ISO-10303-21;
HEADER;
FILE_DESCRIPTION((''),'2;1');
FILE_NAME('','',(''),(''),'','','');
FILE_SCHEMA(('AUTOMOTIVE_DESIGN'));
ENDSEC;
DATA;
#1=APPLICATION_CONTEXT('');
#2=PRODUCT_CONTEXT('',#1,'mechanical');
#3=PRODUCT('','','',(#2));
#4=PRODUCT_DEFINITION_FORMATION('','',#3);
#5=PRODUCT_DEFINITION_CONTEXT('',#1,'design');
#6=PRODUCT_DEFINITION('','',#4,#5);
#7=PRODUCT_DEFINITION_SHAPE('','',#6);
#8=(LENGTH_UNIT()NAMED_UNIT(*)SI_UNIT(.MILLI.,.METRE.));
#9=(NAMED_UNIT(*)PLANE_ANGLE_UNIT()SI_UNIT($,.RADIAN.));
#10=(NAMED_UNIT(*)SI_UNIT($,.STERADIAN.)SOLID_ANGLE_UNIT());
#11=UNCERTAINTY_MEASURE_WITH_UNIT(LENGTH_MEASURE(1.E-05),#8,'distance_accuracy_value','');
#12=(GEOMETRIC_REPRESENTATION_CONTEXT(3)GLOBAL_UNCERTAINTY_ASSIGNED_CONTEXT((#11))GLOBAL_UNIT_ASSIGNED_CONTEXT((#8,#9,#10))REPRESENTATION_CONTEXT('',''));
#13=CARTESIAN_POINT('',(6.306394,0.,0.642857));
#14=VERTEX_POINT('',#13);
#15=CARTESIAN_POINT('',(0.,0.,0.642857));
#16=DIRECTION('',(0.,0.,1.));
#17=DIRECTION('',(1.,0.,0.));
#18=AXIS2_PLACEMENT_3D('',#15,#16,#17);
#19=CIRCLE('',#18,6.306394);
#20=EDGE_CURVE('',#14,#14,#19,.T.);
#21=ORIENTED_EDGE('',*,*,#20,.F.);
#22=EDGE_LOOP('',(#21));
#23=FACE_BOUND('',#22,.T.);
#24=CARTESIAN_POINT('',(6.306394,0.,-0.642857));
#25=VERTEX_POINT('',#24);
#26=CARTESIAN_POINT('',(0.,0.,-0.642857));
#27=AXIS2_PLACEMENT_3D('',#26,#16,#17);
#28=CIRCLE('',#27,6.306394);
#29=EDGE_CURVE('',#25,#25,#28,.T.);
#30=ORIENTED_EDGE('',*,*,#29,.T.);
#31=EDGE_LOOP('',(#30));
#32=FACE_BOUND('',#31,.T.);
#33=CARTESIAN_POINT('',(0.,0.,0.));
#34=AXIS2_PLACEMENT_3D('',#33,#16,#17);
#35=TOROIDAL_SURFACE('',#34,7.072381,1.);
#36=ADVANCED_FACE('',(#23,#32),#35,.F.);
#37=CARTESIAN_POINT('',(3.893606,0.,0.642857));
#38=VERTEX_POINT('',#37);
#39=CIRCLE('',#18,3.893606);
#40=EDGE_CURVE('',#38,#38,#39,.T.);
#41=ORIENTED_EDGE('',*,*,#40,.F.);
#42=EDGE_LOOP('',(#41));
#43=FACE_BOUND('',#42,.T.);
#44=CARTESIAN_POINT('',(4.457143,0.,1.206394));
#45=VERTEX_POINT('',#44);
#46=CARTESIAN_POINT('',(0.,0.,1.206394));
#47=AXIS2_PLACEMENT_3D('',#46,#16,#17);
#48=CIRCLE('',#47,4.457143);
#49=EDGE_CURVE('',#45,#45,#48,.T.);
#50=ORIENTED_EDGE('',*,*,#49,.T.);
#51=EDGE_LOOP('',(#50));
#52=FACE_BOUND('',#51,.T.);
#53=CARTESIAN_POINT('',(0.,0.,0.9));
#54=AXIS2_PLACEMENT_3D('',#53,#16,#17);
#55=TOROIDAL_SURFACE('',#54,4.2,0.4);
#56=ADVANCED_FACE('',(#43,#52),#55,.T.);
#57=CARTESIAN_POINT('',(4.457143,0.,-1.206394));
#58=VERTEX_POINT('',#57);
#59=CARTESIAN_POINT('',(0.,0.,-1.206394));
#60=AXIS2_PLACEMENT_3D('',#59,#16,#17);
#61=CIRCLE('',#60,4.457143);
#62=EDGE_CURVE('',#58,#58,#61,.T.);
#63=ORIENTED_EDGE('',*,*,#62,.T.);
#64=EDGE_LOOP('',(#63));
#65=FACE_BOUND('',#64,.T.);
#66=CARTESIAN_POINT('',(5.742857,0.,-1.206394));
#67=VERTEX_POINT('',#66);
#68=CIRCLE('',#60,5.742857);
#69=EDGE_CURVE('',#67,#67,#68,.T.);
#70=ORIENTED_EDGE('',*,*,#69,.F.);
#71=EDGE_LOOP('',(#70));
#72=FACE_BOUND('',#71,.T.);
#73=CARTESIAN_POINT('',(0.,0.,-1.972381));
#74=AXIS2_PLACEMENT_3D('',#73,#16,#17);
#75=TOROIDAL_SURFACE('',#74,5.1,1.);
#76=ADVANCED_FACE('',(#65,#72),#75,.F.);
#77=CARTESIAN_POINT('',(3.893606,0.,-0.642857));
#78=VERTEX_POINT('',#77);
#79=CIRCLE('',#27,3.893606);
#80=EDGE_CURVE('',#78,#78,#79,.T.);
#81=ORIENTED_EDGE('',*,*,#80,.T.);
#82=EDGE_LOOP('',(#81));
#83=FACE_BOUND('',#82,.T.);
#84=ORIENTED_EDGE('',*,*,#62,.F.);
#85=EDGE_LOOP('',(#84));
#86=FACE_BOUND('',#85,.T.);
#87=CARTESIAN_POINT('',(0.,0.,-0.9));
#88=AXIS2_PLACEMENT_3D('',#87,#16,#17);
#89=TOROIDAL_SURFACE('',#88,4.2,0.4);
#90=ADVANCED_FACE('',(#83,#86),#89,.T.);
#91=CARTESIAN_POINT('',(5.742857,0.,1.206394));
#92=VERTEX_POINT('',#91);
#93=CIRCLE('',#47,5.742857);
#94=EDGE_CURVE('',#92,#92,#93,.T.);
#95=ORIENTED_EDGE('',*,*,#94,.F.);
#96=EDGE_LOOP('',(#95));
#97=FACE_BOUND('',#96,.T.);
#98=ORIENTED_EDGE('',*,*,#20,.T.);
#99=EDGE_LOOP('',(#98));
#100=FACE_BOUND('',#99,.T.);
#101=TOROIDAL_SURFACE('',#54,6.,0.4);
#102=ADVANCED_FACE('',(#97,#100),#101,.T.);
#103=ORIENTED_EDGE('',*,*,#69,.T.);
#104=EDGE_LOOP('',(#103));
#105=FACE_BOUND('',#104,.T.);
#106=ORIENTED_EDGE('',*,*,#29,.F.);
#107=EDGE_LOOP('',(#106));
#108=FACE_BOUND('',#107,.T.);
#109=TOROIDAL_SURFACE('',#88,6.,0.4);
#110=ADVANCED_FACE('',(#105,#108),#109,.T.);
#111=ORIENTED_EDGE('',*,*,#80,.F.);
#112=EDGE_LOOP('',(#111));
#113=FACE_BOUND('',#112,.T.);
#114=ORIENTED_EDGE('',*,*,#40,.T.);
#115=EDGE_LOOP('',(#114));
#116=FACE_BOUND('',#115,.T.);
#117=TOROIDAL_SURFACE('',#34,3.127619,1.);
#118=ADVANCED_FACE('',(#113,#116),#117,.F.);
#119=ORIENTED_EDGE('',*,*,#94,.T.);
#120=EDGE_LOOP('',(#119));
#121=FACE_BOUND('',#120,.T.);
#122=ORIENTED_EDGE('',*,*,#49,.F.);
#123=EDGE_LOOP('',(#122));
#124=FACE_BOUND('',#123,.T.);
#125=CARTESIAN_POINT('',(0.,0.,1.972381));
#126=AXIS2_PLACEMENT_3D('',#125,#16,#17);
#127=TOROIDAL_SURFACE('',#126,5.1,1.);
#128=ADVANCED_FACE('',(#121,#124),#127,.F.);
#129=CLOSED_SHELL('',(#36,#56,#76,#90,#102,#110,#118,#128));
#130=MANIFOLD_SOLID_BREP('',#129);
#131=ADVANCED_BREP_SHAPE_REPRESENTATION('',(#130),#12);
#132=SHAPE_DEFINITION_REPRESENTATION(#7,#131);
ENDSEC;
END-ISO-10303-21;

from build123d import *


with BuildPart() as part:
    # Sketch1 → Revolve1 (revolve)
    with BuildSketch(Plane(origin=(0, 0, 0), x_dir=(0, 0, -1), z_dir=(1, 0, 0))):
        with BuildLine():
            ThreePointArc((-0.642857143, 6.306394437), (0, 6.072380529), (0.642857143, 6.306394437))
            ThreePointArc((0.642857143, 6.306394437), (1.182842712, 6.282842712), (1.206394437, 5.742857143))
            ThreePointArc((1.206394437, 5.742857143), (0.972380529, 5.1), (1.206394437, 4.457142857))
            ThreePointArc((1.206394437, 4.457142857), (1.182842712, 3.917157288), (0.642857143, 3.893605563))
            ThreePointArc((0.642857143, 3.893605563), (0, 4.127619471), (-0.642857143, 3.893605563))
            ThreePointArc((-0.642857143, 3.893605563), (-1.182842712, 3.917157288), (-1.206394437, 4.457142857))
            ThreePointArc((-1.206394437, 4.457142857), (-0.972380529, 5.1), (-1.206394437, 5.742857143))
            ThreePointArc((-1.206394437, 5.742857143), (-1.182842712, 6.282842712), (-0.642857143, 6.306394437))
        make_face()
    revolve(axis=Axis((0, 0, 0), (0, 0, -1)))


solid = part.part
